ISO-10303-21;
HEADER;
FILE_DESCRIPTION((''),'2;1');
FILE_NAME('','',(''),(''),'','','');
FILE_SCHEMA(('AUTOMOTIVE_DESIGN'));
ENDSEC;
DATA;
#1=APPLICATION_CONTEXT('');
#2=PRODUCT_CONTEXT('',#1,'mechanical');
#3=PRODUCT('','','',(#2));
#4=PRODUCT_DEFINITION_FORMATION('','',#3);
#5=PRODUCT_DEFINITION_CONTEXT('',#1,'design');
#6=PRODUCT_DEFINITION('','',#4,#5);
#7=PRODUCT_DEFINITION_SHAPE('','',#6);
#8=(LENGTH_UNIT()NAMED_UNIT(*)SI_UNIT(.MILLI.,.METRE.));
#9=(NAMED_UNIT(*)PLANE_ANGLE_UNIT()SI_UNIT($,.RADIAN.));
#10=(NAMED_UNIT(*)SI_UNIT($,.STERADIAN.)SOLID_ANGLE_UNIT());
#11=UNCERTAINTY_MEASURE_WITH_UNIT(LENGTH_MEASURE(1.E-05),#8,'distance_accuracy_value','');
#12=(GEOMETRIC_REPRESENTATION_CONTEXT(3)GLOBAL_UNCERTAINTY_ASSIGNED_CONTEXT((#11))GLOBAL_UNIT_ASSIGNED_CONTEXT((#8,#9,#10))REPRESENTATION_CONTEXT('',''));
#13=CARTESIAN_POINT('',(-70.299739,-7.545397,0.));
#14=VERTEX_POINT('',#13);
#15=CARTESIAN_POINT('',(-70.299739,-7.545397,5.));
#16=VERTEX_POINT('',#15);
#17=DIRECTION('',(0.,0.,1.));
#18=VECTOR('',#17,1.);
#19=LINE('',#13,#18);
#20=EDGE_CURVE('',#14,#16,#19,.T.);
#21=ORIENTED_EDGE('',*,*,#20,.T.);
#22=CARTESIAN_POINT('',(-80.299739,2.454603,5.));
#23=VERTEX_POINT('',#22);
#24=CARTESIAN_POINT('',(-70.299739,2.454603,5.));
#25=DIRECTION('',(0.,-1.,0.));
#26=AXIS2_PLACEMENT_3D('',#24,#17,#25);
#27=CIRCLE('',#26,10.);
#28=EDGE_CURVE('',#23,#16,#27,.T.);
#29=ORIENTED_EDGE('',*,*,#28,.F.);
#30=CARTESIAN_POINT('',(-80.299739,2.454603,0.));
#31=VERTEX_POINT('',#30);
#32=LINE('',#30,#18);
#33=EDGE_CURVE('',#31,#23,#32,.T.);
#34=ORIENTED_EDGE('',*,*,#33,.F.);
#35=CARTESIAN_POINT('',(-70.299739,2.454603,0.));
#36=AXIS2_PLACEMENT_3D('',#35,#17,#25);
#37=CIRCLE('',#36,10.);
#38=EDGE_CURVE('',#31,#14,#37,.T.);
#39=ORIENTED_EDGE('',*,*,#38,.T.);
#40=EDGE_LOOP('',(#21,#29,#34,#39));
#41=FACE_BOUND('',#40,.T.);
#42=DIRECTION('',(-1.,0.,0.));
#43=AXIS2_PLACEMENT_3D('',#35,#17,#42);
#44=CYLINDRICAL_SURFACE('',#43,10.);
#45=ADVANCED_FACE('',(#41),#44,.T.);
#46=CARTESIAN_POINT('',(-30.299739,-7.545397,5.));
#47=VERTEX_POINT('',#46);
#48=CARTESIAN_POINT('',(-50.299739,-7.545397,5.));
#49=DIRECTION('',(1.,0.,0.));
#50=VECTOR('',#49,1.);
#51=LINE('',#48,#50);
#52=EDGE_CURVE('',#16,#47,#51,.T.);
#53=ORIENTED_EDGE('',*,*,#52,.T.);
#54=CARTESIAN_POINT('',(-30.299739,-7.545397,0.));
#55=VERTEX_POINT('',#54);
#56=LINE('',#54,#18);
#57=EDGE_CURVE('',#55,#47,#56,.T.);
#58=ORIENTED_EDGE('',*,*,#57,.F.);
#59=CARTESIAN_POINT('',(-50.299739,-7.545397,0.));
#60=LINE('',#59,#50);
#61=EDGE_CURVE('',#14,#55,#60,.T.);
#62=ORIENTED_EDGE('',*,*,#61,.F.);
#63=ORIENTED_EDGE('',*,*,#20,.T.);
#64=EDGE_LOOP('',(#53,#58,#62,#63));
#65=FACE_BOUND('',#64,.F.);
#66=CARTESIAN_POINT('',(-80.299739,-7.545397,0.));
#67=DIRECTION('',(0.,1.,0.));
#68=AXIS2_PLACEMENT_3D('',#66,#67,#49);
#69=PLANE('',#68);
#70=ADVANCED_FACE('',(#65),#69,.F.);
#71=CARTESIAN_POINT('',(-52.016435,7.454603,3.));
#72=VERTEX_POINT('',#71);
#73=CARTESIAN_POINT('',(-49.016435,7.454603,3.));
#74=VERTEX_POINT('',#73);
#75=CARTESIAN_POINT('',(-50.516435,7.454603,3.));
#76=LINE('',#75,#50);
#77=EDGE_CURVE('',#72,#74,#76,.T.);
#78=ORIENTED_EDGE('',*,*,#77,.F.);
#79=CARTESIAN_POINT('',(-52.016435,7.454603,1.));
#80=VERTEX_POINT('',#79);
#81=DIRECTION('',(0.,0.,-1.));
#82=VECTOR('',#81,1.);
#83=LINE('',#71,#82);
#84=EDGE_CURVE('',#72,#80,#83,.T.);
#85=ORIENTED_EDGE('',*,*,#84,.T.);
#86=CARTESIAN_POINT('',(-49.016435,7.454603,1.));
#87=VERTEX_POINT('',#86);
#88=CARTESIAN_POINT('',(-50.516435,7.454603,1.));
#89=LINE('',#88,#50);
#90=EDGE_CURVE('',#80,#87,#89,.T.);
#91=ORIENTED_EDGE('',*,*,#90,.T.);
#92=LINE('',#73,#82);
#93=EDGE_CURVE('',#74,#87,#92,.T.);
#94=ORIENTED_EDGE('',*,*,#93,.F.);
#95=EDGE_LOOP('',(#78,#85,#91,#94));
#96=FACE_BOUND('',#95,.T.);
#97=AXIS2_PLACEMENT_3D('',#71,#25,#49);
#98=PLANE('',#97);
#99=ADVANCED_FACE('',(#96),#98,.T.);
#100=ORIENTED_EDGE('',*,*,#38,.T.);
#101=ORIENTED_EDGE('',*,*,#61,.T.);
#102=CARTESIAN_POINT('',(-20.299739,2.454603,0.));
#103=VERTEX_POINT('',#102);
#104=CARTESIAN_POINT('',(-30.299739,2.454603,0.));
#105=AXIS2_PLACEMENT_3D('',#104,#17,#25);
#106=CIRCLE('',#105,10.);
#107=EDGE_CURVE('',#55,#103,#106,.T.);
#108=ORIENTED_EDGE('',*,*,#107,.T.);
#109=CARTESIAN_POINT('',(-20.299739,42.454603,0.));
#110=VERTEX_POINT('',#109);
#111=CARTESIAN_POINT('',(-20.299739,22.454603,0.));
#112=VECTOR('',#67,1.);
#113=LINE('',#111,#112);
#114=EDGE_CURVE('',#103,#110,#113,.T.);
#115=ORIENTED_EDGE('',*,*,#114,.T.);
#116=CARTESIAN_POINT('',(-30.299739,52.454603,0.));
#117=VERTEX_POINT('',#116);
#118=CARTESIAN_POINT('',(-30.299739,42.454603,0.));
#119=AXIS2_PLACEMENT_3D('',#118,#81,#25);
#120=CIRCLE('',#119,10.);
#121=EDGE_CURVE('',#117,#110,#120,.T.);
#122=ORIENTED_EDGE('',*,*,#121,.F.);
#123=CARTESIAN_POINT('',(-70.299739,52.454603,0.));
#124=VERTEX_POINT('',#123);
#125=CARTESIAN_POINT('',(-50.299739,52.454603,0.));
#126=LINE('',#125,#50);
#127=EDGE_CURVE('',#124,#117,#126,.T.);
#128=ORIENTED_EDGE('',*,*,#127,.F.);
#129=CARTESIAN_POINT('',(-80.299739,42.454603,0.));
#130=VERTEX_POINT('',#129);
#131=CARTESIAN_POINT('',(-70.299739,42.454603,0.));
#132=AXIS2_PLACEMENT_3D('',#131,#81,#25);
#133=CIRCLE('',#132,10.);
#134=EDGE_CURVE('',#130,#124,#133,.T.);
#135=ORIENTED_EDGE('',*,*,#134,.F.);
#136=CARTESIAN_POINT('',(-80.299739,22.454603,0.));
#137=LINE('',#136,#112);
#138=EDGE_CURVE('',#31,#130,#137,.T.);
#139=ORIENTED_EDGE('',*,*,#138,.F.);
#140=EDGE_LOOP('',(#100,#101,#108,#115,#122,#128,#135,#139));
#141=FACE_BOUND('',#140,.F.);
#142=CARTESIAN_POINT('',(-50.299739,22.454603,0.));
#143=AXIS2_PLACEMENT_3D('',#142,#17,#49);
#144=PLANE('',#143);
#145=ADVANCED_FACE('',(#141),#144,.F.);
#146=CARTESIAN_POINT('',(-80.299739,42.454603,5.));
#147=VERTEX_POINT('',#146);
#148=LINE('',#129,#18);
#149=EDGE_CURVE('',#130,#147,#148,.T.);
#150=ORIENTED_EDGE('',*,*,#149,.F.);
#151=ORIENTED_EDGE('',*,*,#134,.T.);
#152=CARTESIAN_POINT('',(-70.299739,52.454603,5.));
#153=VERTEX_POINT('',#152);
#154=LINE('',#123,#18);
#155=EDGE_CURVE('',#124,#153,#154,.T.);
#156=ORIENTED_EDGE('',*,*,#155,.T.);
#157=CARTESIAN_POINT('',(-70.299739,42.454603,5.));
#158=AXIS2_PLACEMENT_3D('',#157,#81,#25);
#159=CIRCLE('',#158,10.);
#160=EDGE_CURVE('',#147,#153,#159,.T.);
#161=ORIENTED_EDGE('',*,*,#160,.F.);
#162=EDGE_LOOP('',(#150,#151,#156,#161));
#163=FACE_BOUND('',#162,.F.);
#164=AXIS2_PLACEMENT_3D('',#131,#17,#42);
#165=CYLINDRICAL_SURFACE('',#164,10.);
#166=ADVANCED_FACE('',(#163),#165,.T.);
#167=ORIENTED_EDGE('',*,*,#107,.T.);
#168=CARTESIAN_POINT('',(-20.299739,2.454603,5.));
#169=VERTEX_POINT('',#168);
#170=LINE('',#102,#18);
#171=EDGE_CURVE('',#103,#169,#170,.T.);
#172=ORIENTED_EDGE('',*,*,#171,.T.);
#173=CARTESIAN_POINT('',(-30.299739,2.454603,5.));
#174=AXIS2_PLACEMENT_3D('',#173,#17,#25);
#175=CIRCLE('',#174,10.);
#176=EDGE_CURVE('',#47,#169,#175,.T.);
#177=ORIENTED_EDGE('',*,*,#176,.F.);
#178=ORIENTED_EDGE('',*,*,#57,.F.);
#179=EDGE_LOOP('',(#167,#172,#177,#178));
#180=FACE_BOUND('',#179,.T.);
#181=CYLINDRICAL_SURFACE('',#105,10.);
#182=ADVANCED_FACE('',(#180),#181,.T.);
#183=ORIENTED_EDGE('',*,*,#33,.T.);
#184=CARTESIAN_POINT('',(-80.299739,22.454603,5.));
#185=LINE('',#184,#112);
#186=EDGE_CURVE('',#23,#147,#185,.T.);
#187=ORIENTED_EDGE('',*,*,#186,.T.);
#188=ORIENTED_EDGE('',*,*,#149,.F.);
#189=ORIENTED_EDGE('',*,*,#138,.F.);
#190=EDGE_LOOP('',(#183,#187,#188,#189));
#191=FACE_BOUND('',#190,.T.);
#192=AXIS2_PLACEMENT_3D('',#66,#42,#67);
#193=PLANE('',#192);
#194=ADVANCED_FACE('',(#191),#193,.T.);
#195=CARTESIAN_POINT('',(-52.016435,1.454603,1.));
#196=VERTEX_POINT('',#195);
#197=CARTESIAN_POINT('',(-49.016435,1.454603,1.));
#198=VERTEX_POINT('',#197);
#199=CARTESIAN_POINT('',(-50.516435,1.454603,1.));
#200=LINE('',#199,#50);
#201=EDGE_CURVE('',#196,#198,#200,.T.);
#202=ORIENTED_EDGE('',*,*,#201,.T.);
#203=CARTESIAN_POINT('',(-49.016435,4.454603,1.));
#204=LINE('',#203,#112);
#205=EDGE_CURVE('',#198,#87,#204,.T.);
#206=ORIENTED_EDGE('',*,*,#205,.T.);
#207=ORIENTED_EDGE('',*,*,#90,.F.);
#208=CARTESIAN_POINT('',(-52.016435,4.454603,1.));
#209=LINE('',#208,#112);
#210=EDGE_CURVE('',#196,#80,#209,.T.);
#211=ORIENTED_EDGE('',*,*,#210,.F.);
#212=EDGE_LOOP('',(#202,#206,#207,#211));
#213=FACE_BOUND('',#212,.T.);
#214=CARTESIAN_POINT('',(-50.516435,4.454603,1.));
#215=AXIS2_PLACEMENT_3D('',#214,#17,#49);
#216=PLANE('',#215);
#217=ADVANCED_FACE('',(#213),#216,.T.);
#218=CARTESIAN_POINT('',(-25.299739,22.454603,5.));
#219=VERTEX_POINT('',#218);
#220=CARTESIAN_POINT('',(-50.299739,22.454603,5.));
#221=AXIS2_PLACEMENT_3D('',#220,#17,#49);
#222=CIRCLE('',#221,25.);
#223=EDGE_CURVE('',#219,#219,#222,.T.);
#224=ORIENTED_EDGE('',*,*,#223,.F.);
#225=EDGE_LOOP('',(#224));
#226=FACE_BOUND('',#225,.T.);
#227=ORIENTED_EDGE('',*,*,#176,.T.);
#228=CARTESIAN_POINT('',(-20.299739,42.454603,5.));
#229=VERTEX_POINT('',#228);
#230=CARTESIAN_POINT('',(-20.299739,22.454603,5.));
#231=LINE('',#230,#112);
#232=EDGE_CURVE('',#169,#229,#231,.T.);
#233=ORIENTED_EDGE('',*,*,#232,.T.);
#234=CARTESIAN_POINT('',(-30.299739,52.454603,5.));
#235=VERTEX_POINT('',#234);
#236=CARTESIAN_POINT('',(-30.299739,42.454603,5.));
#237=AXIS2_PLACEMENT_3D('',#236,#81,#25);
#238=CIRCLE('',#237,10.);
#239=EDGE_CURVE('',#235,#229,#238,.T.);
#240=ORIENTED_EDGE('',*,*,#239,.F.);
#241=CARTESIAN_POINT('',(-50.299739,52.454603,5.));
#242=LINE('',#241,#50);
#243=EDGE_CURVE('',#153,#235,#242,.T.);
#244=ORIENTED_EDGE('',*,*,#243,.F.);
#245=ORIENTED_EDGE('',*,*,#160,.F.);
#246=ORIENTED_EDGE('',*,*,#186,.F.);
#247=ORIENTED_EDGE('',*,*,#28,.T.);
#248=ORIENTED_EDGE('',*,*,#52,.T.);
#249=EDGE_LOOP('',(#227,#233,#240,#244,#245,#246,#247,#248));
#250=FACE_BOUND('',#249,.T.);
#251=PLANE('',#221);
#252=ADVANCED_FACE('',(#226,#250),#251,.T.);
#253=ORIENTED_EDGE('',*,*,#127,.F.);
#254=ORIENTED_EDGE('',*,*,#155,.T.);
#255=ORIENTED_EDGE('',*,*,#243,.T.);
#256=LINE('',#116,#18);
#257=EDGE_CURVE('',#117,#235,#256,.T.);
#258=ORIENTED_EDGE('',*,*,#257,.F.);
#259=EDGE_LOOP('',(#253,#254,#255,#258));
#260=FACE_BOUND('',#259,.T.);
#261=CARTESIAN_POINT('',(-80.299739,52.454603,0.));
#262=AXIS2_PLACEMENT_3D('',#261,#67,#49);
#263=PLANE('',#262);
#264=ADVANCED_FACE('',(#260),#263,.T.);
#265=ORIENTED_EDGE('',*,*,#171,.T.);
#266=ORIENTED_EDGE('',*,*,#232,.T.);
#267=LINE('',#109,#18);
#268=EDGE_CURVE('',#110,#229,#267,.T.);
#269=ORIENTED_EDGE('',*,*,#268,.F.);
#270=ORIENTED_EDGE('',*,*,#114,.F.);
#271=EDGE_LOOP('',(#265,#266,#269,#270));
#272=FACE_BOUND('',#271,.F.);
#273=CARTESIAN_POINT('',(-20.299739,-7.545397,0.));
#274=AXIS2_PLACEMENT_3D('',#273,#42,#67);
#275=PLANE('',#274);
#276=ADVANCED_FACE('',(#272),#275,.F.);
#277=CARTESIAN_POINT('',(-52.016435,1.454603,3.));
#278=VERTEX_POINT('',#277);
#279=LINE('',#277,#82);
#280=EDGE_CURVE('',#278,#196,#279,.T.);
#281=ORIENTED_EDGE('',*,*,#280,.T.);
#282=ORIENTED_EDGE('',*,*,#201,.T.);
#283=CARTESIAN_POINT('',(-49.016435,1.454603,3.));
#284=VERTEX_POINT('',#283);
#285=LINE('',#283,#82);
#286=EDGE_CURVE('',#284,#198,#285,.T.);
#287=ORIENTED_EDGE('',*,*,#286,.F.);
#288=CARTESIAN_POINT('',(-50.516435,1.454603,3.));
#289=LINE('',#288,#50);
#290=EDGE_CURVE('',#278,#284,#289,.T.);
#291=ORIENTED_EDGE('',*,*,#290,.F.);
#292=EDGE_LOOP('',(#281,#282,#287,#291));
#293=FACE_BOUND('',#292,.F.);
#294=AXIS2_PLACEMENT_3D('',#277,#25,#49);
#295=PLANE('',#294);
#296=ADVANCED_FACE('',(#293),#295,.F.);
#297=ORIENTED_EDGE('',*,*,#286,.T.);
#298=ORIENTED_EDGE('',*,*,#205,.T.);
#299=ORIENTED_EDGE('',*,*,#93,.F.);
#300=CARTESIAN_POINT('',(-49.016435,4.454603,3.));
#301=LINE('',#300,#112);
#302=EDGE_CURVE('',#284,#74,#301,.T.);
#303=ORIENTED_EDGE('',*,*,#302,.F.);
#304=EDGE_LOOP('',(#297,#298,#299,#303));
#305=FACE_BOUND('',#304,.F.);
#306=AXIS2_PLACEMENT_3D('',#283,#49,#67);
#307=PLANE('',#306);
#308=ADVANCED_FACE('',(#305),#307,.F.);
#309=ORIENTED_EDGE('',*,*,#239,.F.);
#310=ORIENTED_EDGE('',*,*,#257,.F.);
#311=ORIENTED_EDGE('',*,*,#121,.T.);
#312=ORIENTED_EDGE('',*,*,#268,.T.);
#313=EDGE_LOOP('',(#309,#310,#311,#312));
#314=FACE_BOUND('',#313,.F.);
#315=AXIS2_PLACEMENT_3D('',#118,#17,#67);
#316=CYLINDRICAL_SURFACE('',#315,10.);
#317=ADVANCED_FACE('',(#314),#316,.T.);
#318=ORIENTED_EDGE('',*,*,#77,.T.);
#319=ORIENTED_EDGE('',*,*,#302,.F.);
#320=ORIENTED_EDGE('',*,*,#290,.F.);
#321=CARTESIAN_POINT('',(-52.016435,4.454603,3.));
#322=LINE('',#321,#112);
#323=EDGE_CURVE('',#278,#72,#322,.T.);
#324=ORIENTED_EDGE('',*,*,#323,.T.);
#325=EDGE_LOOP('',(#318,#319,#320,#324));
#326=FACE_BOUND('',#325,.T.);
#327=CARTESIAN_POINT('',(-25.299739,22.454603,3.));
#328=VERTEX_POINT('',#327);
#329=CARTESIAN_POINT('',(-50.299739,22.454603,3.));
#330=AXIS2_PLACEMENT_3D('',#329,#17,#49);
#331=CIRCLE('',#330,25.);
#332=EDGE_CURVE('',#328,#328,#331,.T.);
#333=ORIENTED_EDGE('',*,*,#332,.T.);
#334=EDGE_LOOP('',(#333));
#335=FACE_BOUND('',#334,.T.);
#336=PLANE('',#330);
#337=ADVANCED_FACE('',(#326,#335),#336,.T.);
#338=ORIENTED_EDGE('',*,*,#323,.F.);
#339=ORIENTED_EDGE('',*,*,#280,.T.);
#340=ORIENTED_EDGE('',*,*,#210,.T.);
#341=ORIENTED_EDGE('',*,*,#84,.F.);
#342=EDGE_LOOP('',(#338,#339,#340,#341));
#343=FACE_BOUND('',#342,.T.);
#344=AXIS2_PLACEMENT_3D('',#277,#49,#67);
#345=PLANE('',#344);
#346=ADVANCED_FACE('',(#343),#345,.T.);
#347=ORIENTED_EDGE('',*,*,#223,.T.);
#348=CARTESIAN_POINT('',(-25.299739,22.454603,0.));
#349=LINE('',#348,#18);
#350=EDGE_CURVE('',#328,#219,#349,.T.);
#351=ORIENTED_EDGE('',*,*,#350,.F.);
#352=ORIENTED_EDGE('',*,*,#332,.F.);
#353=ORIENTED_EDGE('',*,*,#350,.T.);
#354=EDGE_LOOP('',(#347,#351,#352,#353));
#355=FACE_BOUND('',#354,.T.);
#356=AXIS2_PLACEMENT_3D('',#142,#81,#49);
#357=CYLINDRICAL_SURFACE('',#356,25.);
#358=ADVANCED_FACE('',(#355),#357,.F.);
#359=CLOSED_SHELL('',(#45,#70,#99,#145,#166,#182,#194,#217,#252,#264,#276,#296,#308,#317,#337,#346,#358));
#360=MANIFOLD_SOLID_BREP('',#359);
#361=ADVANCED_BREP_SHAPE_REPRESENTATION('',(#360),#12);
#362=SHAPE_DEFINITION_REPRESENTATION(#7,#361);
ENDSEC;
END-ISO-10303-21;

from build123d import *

# Parameters (mm, degrees)
F0_W     = 60
F0_H     = 60
F0_R     = 25
F1_DEPTH = 5
F2_DEPTH = 3
F3_R     = 10
F4_W     = 3
F4_H     = 6
F5_DEPTH = 2


with BuildPart() as f1:
    # F0 (on Top) → F1 (new body)
    with BuildSketch(Plane.XY):
        with Locations((-50.299739, 22.454603)):
            Rectangle(F0_W, F0_H)
        with Locations((-50.299739, 22.454603)):
            Circle(F0_R, mode=Mode.SUBTRACT)
    extrude(amount=F1_DEPTH)

    # F0 (on Top) → F2 (join)
    with BuildSketch(Plane.XY):
        with Locations((-50.299739, 22.454603)):
            Circle(F0_R)
    extrude(amount=F2_DEPTH)

    # F3
    f3_edges = [f1.edges().sort_by_distance(p)[0] for p in [
        (-20.299739, -7.545397, 2.5),
        (-80.299739, -7.545397, 2.5),
        (-80.299739, 52.454603, 2.5),
        (-20.299739, 52.454603, 2.5),
    ]]
    fillet(f3_edges, radius=F3_R)

    # F4 (on face) → F5 (cut)
    with BuildSketch(Plane.XY.offset(3)):
        with Locations((-50.516435, 4.454603)):
            Rectangle(F4_W, F4_H)
    extrude(amount=-F5_DEPTH, mode=Mode.SUBTRACT)


solid = f1.part
